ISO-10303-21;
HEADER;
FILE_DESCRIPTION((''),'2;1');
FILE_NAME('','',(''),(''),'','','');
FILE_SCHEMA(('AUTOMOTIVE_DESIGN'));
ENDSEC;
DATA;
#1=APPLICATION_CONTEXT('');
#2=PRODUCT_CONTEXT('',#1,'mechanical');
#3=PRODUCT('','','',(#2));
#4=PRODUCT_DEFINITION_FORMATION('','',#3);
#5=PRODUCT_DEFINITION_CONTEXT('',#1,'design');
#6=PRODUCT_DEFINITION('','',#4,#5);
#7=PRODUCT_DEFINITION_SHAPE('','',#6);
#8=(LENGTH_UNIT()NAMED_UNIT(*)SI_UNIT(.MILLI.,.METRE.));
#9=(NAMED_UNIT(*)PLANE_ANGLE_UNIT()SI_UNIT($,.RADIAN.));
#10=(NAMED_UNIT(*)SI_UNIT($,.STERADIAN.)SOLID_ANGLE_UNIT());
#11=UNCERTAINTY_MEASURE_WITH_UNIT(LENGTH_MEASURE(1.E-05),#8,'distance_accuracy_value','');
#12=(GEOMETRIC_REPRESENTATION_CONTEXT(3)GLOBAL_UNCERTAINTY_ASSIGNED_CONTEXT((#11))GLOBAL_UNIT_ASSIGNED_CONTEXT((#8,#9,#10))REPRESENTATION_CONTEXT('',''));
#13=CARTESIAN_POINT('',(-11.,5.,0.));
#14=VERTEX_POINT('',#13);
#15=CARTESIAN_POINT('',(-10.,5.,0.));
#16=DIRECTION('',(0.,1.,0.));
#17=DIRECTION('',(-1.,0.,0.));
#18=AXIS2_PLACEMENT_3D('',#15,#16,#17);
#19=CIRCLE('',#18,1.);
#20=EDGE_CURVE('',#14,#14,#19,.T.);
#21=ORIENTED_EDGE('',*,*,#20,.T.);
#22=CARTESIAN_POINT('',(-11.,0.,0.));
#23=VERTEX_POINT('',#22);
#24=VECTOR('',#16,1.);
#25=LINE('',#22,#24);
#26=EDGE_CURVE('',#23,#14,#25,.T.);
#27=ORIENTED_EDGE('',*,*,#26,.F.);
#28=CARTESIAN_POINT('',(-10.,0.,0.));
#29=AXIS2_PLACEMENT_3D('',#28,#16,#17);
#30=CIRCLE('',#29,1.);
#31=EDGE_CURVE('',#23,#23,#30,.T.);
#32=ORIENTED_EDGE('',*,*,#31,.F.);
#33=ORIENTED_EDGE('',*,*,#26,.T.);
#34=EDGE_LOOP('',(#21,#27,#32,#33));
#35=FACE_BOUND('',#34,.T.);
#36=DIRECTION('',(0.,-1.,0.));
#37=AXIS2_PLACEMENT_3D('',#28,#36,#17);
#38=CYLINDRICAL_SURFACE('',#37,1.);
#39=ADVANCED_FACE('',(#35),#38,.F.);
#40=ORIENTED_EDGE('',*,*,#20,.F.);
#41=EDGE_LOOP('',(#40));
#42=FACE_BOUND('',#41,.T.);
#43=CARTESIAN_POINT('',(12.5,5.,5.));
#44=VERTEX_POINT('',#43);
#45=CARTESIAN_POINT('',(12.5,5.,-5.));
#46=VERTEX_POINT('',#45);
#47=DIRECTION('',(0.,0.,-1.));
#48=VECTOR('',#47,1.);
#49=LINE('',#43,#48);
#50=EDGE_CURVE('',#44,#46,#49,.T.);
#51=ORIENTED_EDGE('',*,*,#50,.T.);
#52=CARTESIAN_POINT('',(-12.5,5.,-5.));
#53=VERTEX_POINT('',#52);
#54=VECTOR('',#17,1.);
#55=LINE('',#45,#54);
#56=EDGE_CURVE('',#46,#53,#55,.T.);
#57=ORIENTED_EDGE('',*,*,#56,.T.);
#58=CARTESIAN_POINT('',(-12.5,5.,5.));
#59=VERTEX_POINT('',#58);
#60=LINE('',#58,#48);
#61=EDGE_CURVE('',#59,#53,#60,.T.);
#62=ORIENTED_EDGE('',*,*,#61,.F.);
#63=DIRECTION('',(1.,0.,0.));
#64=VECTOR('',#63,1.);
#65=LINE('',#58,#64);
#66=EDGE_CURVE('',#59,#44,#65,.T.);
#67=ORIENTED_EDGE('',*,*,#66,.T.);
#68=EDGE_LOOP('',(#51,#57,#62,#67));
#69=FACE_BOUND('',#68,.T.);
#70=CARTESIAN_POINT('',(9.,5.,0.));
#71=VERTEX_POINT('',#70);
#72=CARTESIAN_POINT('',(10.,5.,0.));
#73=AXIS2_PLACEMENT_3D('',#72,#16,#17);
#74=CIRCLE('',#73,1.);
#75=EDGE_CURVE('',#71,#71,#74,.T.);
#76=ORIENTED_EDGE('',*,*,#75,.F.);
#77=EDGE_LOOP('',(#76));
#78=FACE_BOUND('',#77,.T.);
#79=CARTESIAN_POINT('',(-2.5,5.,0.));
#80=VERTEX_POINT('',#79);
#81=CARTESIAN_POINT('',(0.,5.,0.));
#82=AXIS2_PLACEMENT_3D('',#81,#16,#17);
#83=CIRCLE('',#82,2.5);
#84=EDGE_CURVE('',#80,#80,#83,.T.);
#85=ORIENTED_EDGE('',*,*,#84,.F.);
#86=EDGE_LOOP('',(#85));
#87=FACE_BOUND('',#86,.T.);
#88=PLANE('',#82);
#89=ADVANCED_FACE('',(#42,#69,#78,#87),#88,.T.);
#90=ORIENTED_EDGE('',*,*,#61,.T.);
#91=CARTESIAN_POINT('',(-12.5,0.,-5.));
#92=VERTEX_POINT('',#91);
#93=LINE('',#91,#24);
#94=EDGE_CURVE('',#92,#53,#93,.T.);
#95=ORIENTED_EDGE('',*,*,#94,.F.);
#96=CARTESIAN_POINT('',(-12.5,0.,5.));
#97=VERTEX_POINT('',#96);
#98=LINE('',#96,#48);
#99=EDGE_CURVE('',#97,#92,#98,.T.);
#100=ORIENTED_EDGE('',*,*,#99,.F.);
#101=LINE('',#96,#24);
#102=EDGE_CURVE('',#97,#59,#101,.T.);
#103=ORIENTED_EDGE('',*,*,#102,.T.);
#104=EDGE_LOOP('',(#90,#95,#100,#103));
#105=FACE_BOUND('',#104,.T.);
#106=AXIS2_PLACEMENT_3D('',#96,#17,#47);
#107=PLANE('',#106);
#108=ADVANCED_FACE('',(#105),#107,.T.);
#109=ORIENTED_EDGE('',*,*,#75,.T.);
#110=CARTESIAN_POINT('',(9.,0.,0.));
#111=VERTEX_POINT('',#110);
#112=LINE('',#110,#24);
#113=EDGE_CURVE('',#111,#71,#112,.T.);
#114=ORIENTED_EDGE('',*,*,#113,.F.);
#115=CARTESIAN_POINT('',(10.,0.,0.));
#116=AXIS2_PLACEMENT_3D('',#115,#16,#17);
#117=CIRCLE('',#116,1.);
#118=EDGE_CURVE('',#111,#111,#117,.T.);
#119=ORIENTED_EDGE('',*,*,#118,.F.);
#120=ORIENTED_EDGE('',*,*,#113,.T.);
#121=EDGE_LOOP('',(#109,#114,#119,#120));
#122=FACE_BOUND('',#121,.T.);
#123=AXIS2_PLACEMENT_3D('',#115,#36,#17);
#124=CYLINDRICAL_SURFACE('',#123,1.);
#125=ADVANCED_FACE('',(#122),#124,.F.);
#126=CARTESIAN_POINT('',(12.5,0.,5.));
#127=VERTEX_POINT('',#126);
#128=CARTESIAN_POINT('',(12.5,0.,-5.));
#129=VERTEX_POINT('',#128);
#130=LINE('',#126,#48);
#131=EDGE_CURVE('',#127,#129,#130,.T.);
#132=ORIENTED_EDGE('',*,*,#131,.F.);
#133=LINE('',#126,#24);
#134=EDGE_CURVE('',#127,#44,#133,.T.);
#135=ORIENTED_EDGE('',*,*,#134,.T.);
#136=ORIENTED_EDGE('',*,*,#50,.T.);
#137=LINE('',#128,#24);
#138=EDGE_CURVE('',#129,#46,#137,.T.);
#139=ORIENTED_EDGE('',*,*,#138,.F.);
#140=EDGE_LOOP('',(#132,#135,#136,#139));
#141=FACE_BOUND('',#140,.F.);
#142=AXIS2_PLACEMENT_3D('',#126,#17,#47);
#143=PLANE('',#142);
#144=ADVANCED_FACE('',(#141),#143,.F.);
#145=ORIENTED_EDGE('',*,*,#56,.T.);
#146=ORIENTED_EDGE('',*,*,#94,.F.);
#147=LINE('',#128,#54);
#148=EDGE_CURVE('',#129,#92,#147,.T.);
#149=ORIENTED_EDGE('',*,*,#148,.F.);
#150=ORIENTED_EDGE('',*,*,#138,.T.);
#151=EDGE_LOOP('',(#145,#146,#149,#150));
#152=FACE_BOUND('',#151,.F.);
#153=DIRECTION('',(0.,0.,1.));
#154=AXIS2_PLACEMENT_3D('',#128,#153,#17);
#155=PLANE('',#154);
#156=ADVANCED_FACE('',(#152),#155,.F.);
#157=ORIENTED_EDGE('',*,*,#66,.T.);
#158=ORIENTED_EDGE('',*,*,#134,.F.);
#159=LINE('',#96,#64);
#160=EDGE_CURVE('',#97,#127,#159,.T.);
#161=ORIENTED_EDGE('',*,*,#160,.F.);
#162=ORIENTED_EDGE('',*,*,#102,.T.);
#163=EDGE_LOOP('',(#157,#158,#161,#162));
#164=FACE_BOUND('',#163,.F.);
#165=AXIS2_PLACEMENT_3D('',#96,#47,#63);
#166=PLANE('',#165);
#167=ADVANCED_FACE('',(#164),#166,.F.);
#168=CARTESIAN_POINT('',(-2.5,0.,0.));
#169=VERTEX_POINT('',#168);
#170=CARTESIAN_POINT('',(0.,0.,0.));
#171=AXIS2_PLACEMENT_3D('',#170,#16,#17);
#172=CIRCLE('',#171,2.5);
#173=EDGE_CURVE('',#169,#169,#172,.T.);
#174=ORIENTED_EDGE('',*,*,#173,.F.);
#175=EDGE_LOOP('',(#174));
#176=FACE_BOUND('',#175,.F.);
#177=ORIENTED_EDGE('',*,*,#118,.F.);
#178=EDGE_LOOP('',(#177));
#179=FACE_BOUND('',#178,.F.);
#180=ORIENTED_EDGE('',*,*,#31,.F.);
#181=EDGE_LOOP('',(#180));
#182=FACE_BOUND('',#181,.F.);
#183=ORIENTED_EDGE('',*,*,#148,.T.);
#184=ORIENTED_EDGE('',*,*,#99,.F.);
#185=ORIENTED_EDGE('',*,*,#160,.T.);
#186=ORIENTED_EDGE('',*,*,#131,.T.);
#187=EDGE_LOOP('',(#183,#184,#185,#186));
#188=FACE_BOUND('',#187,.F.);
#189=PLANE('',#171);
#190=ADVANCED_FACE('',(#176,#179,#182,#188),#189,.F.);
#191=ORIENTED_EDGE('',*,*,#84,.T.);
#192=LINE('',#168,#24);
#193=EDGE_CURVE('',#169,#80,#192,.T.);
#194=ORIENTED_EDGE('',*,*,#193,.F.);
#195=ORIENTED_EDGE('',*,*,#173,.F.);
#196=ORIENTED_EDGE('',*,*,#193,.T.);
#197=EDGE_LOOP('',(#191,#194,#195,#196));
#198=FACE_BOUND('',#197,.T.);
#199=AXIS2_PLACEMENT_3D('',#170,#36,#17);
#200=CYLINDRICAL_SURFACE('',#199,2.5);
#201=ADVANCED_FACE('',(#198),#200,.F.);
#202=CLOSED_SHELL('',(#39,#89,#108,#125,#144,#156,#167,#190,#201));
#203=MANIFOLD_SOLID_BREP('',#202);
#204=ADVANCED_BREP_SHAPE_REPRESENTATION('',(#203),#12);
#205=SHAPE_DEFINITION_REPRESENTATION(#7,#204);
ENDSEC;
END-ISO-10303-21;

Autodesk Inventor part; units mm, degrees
ref_plane "YZ Plane" through (0, 0, 0) normal (1, 0, 0) x (0, 1, 0)
ref_plane "XZ Plane" through (0, 0, 0) normal (0, 1, 0) x (-1, 0, 0)
ref_plane "XY Plane" through (0, 0, 0) normal (0, 0, 1) x (1, 0, 0)
sketch "Sketch1" plane through (0, 0, 0) normal (0, 1, 0) x (-1, 0, 0)
  line L0 (-12.5, -5) -> (12.5, -5)
  line L1 (12.5, 0) -> (12.5, 0)
  line L2 (12.5, 5) -> (-12.5, 5)
  line L3 (-12.5, 0) -> (-12.5, 0)
  line L4 (-12.5, -5) -> (12.5, 5) construction
  line L5 (12.5, -5) -> (-12.5, 5) construction
  circle A0 centre (10, 0) radius 1
  circle A1 centre (0, 0) radius 2.5
  line L6 (-12.5, 5) -> (-12.5, -5)
  line L7 (12.5, 5) -> (12.5, -5)
  circle A2 centre (-10, 0) radius 1
  point P0 (0, 0)
  dimension "d0" = 10
  dimension "d1" = 25
  dimension "d3" = 2
  dimension "d4" = 5
  dimension "d6" = 2.5
  dimension "d7" = 5
  dimension "d8" = 5
  dimension "d12" = 0
  dimension "d13" = 2
  dimension "d14" = 2.5
  dimension "d15" = 5
extrude "Extrusion1" add sketch "Sketch1" along normal blind 5
properties part number "link"
